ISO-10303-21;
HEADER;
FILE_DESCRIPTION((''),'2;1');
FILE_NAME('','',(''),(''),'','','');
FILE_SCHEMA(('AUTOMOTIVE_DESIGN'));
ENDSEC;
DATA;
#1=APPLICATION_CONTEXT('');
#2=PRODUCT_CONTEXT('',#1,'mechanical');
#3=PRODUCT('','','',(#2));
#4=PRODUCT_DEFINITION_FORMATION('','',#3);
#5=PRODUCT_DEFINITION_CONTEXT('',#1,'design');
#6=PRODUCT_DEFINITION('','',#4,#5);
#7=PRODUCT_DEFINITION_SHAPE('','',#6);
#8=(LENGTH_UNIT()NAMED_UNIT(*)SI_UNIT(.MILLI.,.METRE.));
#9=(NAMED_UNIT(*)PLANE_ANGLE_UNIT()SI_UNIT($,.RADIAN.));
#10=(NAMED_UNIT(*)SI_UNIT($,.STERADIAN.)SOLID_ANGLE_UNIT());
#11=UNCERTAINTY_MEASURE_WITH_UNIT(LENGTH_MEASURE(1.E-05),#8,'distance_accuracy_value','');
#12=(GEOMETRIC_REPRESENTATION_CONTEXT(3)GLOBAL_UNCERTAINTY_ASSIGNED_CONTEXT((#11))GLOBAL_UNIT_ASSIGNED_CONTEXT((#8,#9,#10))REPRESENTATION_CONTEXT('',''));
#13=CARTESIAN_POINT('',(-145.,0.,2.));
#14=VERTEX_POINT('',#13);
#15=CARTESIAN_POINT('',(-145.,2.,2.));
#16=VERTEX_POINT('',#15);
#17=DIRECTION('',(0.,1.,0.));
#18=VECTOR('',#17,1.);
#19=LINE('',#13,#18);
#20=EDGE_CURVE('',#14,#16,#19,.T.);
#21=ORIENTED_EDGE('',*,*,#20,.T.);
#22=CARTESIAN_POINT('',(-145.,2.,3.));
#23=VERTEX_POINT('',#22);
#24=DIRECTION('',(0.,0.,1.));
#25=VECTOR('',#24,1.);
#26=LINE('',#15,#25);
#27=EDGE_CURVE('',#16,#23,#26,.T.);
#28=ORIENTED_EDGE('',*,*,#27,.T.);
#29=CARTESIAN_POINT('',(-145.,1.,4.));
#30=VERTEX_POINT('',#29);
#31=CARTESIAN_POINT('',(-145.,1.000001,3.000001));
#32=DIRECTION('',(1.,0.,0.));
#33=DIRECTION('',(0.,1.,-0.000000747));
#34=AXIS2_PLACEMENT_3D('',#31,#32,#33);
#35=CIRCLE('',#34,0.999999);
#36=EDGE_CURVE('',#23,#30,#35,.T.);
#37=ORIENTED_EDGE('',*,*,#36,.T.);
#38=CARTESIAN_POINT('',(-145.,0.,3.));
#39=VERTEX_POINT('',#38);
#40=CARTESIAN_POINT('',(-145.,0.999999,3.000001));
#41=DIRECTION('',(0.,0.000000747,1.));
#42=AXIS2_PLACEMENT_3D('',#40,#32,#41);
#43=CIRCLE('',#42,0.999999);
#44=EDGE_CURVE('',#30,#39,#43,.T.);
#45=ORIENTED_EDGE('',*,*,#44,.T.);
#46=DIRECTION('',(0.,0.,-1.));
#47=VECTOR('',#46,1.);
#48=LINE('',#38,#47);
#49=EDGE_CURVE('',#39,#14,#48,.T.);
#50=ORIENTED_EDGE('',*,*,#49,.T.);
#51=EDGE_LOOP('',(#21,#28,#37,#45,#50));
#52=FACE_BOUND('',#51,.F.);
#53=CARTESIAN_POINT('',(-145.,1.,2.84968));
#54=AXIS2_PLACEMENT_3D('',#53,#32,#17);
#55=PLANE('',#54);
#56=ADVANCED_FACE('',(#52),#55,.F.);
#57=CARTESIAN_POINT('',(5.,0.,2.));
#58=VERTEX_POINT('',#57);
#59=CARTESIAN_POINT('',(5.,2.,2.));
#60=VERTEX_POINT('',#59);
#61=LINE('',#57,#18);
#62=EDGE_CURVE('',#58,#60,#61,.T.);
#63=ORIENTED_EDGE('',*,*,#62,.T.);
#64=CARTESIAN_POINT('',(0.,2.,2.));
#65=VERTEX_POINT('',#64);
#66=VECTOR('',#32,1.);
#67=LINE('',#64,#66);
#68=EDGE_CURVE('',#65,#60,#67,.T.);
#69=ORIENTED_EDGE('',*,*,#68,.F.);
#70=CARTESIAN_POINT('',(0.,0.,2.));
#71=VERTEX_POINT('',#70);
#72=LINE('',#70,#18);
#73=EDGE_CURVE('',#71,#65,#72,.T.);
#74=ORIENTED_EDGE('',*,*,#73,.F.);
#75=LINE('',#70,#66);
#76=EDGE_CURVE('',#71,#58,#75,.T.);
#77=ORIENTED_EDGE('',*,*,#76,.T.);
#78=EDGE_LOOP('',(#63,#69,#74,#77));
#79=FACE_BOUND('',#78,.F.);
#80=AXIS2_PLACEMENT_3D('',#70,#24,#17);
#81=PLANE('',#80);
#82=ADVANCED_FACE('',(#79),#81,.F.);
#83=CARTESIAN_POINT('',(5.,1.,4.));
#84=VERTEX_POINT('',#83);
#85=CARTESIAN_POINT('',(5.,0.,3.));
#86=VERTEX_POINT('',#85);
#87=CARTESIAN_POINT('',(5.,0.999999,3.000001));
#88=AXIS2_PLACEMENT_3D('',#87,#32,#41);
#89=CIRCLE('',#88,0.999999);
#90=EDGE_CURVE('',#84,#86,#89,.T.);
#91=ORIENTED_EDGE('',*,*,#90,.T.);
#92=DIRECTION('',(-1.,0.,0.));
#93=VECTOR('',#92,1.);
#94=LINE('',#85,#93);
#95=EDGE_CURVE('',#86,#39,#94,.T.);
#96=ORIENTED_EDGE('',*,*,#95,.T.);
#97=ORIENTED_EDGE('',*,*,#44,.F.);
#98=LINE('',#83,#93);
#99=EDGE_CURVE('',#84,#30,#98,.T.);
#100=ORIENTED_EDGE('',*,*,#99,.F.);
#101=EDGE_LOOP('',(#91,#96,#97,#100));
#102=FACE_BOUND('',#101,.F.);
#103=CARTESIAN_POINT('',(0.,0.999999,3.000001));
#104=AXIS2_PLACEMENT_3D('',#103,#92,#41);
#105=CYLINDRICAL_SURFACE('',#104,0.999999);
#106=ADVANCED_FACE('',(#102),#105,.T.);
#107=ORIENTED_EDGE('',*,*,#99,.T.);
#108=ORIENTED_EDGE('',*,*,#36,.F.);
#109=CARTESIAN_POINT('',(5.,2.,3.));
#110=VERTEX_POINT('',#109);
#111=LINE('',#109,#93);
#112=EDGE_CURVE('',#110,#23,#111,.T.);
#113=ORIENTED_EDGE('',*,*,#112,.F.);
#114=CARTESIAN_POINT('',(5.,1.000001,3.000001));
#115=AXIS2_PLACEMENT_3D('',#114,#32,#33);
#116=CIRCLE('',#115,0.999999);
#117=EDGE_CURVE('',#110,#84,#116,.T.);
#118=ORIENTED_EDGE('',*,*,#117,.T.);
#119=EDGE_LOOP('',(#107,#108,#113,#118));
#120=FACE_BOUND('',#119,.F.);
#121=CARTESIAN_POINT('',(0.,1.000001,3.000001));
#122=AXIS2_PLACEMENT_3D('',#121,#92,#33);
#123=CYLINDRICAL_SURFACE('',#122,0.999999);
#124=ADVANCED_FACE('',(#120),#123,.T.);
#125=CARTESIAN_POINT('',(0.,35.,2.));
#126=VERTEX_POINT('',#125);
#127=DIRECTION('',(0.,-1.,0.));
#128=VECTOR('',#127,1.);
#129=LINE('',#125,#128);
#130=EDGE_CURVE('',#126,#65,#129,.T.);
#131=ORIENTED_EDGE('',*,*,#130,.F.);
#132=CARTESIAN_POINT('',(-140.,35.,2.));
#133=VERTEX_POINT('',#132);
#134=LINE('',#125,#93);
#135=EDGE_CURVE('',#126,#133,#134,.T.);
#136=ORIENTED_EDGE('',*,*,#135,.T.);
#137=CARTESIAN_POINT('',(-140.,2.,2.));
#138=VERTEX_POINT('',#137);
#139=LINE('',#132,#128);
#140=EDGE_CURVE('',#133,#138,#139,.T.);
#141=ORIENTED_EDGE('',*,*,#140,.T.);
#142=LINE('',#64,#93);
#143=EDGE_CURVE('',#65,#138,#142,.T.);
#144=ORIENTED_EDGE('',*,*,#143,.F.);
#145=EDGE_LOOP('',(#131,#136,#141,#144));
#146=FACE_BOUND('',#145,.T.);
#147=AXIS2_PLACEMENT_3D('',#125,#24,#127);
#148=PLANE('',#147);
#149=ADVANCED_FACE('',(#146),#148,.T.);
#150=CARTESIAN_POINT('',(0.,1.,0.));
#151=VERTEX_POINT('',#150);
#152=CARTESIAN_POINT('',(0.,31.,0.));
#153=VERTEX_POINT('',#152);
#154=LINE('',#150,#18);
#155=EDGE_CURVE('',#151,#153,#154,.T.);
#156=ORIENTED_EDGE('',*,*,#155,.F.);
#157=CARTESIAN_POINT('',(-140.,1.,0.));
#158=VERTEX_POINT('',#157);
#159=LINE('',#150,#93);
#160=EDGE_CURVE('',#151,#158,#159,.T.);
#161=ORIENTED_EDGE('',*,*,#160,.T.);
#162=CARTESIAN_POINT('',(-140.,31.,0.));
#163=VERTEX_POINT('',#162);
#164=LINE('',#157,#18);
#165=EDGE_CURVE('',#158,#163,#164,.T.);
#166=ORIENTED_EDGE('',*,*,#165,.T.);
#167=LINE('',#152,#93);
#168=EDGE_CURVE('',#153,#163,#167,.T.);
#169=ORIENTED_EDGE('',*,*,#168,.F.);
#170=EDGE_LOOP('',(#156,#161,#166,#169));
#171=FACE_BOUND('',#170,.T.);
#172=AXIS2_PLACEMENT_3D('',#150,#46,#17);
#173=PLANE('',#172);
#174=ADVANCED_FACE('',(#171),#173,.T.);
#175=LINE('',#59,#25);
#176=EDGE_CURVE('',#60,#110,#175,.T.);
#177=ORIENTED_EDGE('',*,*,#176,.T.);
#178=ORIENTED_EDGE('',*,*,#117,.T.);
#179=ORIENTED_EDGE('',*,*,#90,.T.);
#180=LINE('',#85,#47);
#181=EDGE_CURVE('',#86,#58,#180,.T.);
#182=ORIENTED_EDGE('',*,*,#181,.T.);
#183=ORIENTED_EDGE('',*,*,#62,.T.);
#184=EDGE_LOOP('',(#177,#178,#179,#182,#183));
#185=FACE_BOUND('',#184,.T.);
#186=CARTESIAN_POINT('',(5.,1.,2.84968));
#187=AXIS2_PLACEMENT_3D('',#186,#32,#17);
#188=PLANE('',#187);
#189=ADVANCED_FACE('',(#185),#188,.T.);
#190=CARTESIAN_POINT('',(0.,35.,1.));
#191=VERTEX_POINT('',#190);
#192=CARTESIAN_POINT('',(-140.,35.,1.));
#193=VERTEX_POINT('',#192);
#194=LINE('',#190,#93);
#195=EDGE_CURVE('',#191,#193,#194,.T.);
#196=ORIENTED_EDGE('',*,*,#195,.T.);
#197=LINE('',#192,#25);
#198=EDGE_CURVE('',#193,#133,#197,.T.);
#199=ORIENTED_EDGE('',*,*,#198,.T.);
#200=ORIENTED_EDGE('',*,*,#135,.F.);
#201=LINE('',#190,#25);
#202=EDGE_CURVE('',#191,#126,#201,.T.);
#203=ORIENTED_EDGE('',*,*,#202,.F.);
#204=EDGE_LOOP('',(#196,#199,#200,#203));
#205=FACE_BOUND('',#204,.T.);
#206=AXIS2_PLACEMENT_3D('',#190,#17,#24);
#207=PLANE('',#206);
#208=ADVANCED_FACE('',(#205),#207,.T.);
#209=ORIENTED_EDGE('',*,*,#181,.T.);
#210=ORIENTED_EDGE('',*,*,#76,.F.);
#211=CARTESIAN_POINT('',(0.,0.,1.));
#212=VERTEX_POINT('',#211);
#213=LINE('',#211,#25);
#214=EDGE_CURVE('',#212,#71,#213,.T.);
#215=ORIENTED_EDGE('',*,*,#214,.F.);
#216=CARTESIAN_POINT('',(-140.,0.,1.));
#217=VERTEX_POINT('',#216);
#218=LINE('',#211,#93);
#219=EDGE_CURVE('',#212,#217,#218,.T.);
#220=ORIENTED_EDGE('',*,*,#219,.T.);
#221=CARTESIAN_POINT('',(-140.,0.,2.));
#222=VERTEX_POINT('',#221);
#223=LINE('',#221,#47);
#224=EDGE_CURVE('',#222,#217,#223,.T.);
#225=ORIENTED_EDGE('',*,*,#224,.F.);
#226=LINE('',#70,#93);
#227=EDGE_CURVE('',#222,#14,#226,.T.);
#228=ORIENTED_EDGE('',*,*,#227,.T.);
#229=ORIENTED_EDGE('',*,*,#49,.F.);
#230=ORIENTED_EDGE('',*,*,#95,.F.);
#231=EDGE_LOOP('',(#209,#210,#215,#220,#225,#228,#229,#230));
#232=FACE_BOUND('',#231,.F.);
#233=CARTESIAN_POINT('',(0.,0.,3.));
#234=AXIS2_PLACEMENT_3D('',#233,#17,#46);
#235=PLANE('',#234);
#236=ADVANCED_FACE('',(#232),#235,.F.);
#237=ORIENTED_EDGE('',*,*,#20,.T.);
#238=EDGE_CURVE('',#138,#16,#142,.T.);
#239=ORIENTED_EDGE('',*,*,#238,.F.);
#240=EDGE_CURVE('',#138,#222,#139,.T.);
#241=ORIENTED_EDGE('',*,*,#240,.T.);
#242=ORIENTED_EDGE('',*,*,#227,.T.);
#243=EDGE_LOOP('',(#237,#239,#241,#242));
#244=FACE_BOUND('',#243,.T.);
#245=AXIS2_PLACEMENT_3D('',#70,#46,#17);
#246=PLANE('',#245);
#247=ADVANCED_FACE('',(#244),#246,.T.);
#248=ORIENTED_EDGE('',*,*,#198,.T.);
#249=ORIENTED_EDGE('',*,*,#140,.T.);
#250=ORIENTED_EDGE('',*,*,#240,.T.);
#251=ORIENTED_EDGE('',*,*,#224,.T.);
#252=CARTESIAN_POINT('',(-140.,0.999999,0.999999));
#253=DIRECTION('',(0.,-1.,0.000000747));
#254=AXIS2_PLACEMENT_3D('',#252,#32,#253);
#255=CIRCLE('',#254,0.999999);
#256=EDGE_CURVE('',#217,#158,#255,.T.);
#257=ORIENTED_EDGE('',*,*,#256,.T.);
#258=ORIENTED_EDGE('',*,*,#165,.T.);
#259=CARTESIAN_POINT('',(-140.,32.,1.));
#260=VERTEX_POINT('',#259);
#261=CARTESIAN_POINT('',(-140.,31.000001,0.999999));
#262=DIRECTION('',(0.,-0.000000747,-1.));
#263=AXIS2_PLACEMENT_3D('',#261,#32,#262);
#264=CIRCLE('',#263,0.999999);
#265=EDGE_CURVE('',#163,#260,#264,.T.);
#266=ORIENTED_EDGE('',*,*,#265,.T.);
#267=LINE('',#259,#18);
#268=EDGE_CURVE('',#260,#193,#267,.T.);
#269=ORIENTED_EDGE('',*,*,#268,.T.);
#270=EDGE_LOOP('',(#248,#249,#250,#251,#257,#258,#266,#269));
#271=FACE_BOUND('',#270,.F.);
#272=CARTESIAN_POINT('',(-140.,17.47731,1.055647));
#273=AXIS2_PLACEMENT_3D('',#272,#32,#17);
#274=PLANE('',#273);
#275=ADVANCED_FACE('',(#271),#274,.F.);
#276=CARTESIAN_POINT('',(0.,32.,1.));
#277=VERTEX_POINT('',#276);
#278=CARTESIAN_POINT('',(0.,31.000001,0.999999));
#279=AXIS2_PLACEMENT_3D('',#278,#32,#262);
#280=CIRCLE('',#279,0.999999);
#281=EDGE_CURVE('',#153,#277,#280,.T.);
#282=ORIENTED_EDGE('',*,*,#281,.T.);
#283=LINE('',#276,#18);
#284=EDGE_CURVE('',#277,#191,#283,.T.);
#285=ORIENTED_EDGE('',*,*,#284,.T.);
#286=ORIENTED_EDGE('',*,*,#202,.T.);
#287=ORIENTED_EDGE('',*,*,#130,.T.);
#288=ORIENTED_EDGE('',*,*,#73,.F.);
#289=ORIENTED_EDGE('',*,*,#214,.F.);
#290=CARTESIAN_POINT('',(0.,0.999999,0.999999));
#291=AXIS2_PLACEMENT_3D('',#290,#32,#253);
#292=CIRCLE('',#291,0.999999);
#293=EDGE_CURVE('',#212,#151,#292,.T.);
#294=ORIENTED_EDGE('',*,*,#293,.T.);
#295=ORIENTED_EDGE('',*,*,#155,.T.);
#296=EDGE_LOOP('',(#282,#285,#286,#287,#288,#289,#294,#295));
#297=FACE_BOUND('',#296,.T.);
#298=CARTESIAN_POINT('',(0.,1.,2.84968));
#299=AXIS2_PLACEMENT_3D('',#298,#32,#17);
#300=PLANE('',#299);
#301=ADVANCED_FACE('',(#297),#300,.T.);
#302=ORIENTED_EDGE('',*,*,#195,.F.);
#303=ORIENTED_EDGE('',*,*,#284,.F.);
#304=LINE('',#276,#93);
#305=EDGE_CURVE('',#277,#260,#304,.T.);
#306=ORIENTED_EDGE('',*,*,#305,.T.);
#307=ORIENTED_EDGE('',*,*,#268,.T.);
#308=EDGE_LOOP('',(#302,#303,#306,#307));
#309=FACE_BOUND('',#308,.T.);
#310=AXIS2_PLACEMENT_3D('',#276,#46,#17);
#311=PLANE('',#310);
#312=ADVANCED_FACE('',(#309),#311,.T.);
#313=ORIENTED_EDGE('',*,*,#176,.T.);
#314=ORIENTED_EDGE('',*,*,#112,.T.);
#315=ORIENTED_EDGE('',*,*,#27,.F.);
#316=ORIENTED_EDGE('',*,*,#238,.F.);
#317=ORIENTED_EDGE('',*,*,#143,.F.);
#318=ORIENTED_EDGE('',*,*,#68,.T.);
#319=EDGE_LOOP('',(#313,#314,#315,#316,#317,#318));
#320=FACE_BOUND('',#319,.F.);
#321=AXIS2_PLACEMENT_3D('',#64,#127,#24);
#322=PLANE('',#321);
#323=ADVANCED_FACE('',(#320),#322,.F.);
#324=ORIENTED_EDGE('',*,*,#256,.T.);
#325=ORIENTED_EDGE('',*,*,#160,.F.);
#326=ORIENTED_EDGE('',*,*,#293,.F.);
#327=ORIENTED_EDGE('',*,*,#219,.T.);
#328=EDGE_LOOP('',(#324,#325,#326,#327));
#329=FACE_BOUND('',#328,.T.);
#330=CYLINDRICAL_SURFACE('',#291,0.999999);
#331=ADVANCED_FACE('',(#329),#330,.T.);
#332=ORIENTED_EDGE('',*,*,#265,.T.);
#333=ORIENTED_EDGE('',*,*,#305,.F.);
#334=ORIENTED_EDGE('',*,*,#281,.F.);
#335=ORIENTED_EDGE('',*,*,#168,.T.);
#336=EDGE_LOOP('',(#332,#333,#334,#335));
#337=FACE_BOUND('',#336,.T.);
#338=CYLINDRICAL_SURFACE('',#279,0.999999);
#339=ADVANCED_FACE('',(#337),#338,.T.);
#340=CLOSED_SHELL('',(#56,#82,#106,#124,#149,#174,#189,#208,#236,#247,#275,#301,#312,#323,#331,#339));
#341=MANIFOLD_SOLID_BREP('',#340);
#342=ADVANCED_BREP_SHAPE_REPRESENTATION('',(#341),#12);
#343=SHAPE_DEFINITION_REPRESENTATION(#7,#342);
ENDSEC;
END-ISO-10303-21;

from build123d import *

# Parameters (mm, degrees)
F2_DEPTH = 140
F3_DEPTH = 145
F4_DEPTH = 5


with BuildPart() as f2:
    # F0 (on Right) → F2 (new body)
    with BuildSketch(Plane.YZ):
        with BuildLine():
            ThreePointArc((0, 1), (0.292893, 0.292893), (1, 0))
            Line((1, 0), (31, 0))
            ThreePointArc((31, 0), (31.707107, 0.292893), (32, 1))
            Line((32, 1), (35, 1))
            Line((35, 1), (35, 2))
            Line((35, 2), (0, 2))
            Line((0, 2), (0, 1))
        make_face()
    extrude(amount=-F2_DEPTH)

    # F1 (on Right) → F3 (join)
    with BuildSketch(Plane.YZ):
        with BuildLine():
            Line((0, 3), (0, 2))
            Line((0, 2), (2, 2))
            Line((2, 2), (2, 3))
            ThreePointArc((2, 3), (1.707107, 3.707107), (1, 4))
            ThreePointArc((1, 4), (0.292893, 3.707107), (0, 3))
        make_face()
    extrude(amount=-F3_DEPTH)

    # F1 (on Right) → F4 (join)
    with BuildSketch(Plane.YZ):
        with BuildLine():
            Line((0, 3), (0, 2))
            Line((0, 2), (2, 2))
            Line((2, 2), (2, 3))
            ThreePointArc((2, 3), (1.707107, 3.707107), (1, 4))
            ThreePointArc((1, 4), (0.292893, 3.707107), (0, 3))
        make_face()
    extrude(amount=F4_DEPTH)


solid = f2.part
